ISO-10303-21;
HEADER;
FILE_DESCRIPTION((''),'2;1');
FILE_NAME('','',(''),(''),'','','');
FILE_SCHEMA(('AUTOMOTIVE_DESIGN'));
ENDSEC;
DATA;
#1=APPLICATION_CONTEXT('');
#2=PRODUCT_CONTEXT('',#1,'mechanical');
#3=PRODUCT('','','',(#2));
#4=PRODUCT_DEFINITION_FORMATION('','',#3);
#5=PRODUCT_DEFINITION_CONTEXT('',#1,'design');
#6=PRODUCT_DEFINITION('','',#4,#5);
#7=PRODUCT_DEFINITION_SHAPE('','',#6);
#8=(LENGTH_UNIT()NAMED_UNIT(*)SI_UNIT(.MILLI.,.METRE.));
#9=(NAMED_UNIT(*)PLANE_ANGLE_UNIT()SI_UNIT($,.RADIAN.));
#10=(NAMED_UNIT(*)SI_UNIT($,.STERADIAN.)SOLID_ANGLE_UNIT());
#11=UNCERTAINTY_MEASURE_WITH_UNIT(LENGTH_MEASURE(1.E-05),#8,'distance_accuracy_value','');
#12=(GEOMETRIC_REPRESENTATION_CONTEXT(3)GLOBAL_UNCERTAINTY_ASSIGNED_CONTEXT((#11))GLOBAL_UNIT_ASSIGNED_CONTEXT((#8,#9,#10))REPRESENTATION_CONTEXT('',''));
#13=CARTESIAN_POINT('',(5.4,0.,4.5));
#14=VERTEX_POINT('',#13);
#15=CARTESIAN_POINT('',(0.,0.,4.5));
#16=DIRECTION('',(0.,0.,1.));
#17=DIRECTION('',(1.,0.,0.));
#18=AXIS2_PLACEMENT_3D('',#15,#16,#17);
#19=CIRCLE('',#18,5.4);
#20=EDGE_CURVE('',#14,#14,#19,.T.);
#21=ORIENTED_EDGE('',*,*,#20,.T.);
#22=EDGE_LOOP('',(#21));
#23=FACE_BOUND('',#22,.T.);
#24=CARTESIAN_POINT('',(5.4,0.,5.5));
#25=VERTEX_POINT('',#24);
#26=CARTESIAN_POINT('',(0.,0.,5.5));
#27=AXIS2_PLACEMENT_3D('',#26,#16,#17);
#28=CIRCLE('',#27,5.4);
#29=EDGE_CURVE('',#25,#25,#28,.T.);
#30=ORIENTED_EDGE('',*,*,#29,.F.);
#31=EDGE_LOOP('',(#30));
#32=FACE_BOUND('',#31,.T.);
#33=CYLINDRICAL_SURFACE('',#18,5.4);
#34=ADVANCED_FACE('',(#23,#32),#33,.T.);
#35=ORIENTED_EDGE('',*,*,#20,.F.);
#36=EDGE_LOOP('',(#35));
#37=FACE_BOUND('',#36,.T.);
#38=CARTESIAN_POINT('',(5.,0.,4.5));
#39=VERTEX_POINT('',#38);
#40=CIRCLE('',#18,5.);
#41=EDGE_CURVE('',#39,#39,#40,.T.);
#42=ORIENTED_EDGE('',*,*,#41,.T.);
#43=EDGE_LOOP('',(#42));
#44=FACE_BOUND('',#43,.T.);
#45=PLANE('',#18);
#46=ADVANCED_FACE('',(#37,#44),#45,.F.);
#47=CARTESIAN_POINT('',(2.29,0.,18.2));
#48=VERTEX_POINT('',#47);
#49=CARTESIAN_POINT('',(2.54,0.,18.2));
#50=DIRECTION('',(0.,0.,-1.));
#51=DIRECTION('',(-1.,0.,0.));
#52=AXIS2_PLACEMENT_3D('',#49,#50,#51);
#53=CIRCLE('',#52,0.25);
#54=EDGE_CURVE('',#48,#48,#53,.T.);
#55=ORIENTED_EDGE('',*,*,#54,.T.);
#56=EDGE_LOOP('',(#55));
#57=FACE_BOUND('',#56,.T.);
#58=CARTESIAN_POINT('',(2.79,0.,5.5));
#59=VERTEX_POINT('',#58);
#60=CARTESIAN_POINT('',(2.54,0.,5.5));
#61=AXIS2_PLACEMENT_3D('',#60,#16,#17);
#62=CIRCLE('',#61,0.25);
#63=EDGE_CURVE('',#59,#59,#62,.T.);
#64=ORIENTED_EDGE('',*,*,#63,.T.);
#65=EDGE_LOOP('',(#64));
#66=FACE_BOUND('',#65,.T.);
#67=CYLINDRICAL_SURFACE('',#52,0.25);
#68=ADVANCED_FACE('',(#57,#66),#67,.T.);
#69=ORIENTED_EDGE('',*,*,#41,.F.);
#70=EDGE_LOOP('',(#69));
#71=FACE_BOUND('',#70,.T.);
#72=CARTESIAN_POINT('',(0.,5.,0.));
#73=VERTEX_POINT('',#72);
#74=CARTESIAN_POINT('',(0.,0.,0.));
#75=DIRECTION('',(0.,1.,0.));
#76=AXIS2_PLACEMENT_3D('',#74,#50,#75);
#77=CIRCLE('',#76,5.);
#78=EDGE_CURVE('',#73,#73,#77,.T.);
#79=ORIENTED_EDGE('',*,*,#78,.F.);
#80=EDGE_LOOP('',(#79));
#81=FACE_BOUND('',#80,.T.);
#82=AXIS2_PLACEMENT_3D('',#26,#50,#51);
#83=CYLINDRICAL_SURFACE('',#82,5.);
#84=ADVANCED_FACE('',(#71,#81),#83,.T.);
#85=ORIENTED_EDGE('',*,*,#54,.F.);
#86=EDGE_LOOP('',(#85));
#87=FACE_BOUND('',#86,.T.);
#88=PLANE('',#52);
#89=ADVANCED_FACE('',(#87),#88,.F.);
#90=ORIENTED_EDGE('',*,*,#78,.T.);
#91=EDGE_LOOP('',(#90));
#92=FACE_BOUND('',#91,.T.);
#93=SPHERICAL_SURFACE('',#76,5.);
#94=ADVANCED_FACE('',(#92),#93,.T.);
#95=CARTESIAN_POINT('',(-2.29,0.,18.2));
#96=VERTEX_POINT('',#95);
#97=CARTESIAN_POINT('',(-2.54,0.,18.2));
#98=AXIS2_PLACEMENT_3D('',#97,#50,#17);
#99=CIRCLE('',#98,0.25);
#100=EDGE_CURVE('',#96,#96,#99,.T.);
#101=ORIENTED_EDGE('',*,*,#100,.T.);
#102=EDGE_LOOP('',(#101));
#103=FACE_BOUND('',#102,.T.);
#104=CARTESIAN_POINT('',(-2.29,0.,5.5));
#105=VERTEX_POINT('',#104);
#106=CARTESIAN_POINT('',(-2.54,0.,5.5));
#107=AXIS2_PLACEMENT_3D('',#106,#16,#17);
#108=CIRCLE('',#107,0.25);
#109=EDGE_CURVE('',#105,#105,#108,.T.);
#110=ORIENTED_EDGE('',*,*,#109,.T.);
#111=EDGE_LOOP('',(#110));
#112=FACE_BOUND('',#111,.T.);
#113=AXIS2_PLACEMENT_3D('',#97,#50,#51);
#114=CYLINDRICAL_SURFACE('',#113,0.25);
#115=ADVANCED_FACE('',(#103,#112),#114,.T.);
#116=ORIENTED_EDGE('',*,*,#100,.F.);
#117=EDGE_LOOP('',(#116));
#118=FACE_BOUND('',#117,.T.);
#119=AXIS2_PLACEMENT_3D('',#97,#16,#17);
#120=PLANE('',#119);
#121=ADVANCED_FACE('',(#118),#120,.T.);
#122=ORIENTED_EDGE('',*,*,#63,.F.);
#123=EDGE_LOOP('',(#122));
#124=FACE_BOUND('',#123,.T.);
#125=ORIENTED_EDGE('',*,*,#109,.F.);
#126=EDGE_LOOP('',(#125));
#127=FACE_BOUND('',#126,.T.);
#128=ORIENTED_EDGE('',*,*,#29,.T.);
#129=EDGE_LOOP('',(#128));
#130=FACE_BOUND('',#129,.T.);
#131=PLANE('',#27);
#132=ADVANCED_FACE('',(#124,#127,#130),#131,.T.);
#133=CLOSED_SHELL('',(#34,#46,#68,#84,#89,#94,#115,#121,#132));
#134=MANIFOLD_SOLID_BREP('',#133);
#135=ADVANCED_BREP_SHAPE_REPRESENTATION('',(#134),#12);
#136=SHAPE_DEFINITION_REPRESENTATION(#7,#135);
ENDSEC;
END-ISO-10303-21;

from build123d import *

# Parameters (mm, degrees)
SKETCH_1_R      = 5
EXTRUDE_1_DEPTH = 5.5
SKETCH_2_R      = 5.4
EXTRUDE_2_DEPTH = 1
SKETCH_3_R      = 0.25
EXTRUDE_3_DEPTH = 12.7


with BuildPart() as part:
    # 草图1 → 拉伸1 (new body)
    with BuildSketch(Plane.XY):
        Circle(SKETCH_1_R)
    extrude(amount=EXTRUDE_1_DEPTH)

    # 草图2 → 拉伸2 (add)
    with BuildSketch(Plane.XY.offset(5.5)):
        Circle(SKETCH_2_R)
    extrude(amount=-EXTRUDE_2_DEPTH)

    # 草图3 → 拉伸3 (add)
    with BuildSketch(Plane(origin=(0, 0, 5.5), x_dir=(-1, 0, 0), z_dir=(0, 0, -1))):
        with Locations((-2.54, 0)):
            Circle(SKETCH_3_R)
        with Locations(Location((2.54, 0, 0), (0, 0, 180))):
            Circle(SKETCH_3_R)
    extrude(amount=-EXTRUDE_3_DEPTH)

    # 草图5 → 旋转2 (revolve)
    with BuildSketch(Plane(origin=(0, 0, 0), x_dir=(0, 0, -1), z_dir=(1, 0, 0))):
        with BuildLine():
            Line((0, 5), (0, 0))
            Line((0, 0), (5, 0))
            ThreePointArc((5, 0), (3.535533906, 3.535533906), (0, 5))
        make_face()
    revolve(axis=Axis((0, 0, -5), (0, 0, 1)))


solid = part.part
